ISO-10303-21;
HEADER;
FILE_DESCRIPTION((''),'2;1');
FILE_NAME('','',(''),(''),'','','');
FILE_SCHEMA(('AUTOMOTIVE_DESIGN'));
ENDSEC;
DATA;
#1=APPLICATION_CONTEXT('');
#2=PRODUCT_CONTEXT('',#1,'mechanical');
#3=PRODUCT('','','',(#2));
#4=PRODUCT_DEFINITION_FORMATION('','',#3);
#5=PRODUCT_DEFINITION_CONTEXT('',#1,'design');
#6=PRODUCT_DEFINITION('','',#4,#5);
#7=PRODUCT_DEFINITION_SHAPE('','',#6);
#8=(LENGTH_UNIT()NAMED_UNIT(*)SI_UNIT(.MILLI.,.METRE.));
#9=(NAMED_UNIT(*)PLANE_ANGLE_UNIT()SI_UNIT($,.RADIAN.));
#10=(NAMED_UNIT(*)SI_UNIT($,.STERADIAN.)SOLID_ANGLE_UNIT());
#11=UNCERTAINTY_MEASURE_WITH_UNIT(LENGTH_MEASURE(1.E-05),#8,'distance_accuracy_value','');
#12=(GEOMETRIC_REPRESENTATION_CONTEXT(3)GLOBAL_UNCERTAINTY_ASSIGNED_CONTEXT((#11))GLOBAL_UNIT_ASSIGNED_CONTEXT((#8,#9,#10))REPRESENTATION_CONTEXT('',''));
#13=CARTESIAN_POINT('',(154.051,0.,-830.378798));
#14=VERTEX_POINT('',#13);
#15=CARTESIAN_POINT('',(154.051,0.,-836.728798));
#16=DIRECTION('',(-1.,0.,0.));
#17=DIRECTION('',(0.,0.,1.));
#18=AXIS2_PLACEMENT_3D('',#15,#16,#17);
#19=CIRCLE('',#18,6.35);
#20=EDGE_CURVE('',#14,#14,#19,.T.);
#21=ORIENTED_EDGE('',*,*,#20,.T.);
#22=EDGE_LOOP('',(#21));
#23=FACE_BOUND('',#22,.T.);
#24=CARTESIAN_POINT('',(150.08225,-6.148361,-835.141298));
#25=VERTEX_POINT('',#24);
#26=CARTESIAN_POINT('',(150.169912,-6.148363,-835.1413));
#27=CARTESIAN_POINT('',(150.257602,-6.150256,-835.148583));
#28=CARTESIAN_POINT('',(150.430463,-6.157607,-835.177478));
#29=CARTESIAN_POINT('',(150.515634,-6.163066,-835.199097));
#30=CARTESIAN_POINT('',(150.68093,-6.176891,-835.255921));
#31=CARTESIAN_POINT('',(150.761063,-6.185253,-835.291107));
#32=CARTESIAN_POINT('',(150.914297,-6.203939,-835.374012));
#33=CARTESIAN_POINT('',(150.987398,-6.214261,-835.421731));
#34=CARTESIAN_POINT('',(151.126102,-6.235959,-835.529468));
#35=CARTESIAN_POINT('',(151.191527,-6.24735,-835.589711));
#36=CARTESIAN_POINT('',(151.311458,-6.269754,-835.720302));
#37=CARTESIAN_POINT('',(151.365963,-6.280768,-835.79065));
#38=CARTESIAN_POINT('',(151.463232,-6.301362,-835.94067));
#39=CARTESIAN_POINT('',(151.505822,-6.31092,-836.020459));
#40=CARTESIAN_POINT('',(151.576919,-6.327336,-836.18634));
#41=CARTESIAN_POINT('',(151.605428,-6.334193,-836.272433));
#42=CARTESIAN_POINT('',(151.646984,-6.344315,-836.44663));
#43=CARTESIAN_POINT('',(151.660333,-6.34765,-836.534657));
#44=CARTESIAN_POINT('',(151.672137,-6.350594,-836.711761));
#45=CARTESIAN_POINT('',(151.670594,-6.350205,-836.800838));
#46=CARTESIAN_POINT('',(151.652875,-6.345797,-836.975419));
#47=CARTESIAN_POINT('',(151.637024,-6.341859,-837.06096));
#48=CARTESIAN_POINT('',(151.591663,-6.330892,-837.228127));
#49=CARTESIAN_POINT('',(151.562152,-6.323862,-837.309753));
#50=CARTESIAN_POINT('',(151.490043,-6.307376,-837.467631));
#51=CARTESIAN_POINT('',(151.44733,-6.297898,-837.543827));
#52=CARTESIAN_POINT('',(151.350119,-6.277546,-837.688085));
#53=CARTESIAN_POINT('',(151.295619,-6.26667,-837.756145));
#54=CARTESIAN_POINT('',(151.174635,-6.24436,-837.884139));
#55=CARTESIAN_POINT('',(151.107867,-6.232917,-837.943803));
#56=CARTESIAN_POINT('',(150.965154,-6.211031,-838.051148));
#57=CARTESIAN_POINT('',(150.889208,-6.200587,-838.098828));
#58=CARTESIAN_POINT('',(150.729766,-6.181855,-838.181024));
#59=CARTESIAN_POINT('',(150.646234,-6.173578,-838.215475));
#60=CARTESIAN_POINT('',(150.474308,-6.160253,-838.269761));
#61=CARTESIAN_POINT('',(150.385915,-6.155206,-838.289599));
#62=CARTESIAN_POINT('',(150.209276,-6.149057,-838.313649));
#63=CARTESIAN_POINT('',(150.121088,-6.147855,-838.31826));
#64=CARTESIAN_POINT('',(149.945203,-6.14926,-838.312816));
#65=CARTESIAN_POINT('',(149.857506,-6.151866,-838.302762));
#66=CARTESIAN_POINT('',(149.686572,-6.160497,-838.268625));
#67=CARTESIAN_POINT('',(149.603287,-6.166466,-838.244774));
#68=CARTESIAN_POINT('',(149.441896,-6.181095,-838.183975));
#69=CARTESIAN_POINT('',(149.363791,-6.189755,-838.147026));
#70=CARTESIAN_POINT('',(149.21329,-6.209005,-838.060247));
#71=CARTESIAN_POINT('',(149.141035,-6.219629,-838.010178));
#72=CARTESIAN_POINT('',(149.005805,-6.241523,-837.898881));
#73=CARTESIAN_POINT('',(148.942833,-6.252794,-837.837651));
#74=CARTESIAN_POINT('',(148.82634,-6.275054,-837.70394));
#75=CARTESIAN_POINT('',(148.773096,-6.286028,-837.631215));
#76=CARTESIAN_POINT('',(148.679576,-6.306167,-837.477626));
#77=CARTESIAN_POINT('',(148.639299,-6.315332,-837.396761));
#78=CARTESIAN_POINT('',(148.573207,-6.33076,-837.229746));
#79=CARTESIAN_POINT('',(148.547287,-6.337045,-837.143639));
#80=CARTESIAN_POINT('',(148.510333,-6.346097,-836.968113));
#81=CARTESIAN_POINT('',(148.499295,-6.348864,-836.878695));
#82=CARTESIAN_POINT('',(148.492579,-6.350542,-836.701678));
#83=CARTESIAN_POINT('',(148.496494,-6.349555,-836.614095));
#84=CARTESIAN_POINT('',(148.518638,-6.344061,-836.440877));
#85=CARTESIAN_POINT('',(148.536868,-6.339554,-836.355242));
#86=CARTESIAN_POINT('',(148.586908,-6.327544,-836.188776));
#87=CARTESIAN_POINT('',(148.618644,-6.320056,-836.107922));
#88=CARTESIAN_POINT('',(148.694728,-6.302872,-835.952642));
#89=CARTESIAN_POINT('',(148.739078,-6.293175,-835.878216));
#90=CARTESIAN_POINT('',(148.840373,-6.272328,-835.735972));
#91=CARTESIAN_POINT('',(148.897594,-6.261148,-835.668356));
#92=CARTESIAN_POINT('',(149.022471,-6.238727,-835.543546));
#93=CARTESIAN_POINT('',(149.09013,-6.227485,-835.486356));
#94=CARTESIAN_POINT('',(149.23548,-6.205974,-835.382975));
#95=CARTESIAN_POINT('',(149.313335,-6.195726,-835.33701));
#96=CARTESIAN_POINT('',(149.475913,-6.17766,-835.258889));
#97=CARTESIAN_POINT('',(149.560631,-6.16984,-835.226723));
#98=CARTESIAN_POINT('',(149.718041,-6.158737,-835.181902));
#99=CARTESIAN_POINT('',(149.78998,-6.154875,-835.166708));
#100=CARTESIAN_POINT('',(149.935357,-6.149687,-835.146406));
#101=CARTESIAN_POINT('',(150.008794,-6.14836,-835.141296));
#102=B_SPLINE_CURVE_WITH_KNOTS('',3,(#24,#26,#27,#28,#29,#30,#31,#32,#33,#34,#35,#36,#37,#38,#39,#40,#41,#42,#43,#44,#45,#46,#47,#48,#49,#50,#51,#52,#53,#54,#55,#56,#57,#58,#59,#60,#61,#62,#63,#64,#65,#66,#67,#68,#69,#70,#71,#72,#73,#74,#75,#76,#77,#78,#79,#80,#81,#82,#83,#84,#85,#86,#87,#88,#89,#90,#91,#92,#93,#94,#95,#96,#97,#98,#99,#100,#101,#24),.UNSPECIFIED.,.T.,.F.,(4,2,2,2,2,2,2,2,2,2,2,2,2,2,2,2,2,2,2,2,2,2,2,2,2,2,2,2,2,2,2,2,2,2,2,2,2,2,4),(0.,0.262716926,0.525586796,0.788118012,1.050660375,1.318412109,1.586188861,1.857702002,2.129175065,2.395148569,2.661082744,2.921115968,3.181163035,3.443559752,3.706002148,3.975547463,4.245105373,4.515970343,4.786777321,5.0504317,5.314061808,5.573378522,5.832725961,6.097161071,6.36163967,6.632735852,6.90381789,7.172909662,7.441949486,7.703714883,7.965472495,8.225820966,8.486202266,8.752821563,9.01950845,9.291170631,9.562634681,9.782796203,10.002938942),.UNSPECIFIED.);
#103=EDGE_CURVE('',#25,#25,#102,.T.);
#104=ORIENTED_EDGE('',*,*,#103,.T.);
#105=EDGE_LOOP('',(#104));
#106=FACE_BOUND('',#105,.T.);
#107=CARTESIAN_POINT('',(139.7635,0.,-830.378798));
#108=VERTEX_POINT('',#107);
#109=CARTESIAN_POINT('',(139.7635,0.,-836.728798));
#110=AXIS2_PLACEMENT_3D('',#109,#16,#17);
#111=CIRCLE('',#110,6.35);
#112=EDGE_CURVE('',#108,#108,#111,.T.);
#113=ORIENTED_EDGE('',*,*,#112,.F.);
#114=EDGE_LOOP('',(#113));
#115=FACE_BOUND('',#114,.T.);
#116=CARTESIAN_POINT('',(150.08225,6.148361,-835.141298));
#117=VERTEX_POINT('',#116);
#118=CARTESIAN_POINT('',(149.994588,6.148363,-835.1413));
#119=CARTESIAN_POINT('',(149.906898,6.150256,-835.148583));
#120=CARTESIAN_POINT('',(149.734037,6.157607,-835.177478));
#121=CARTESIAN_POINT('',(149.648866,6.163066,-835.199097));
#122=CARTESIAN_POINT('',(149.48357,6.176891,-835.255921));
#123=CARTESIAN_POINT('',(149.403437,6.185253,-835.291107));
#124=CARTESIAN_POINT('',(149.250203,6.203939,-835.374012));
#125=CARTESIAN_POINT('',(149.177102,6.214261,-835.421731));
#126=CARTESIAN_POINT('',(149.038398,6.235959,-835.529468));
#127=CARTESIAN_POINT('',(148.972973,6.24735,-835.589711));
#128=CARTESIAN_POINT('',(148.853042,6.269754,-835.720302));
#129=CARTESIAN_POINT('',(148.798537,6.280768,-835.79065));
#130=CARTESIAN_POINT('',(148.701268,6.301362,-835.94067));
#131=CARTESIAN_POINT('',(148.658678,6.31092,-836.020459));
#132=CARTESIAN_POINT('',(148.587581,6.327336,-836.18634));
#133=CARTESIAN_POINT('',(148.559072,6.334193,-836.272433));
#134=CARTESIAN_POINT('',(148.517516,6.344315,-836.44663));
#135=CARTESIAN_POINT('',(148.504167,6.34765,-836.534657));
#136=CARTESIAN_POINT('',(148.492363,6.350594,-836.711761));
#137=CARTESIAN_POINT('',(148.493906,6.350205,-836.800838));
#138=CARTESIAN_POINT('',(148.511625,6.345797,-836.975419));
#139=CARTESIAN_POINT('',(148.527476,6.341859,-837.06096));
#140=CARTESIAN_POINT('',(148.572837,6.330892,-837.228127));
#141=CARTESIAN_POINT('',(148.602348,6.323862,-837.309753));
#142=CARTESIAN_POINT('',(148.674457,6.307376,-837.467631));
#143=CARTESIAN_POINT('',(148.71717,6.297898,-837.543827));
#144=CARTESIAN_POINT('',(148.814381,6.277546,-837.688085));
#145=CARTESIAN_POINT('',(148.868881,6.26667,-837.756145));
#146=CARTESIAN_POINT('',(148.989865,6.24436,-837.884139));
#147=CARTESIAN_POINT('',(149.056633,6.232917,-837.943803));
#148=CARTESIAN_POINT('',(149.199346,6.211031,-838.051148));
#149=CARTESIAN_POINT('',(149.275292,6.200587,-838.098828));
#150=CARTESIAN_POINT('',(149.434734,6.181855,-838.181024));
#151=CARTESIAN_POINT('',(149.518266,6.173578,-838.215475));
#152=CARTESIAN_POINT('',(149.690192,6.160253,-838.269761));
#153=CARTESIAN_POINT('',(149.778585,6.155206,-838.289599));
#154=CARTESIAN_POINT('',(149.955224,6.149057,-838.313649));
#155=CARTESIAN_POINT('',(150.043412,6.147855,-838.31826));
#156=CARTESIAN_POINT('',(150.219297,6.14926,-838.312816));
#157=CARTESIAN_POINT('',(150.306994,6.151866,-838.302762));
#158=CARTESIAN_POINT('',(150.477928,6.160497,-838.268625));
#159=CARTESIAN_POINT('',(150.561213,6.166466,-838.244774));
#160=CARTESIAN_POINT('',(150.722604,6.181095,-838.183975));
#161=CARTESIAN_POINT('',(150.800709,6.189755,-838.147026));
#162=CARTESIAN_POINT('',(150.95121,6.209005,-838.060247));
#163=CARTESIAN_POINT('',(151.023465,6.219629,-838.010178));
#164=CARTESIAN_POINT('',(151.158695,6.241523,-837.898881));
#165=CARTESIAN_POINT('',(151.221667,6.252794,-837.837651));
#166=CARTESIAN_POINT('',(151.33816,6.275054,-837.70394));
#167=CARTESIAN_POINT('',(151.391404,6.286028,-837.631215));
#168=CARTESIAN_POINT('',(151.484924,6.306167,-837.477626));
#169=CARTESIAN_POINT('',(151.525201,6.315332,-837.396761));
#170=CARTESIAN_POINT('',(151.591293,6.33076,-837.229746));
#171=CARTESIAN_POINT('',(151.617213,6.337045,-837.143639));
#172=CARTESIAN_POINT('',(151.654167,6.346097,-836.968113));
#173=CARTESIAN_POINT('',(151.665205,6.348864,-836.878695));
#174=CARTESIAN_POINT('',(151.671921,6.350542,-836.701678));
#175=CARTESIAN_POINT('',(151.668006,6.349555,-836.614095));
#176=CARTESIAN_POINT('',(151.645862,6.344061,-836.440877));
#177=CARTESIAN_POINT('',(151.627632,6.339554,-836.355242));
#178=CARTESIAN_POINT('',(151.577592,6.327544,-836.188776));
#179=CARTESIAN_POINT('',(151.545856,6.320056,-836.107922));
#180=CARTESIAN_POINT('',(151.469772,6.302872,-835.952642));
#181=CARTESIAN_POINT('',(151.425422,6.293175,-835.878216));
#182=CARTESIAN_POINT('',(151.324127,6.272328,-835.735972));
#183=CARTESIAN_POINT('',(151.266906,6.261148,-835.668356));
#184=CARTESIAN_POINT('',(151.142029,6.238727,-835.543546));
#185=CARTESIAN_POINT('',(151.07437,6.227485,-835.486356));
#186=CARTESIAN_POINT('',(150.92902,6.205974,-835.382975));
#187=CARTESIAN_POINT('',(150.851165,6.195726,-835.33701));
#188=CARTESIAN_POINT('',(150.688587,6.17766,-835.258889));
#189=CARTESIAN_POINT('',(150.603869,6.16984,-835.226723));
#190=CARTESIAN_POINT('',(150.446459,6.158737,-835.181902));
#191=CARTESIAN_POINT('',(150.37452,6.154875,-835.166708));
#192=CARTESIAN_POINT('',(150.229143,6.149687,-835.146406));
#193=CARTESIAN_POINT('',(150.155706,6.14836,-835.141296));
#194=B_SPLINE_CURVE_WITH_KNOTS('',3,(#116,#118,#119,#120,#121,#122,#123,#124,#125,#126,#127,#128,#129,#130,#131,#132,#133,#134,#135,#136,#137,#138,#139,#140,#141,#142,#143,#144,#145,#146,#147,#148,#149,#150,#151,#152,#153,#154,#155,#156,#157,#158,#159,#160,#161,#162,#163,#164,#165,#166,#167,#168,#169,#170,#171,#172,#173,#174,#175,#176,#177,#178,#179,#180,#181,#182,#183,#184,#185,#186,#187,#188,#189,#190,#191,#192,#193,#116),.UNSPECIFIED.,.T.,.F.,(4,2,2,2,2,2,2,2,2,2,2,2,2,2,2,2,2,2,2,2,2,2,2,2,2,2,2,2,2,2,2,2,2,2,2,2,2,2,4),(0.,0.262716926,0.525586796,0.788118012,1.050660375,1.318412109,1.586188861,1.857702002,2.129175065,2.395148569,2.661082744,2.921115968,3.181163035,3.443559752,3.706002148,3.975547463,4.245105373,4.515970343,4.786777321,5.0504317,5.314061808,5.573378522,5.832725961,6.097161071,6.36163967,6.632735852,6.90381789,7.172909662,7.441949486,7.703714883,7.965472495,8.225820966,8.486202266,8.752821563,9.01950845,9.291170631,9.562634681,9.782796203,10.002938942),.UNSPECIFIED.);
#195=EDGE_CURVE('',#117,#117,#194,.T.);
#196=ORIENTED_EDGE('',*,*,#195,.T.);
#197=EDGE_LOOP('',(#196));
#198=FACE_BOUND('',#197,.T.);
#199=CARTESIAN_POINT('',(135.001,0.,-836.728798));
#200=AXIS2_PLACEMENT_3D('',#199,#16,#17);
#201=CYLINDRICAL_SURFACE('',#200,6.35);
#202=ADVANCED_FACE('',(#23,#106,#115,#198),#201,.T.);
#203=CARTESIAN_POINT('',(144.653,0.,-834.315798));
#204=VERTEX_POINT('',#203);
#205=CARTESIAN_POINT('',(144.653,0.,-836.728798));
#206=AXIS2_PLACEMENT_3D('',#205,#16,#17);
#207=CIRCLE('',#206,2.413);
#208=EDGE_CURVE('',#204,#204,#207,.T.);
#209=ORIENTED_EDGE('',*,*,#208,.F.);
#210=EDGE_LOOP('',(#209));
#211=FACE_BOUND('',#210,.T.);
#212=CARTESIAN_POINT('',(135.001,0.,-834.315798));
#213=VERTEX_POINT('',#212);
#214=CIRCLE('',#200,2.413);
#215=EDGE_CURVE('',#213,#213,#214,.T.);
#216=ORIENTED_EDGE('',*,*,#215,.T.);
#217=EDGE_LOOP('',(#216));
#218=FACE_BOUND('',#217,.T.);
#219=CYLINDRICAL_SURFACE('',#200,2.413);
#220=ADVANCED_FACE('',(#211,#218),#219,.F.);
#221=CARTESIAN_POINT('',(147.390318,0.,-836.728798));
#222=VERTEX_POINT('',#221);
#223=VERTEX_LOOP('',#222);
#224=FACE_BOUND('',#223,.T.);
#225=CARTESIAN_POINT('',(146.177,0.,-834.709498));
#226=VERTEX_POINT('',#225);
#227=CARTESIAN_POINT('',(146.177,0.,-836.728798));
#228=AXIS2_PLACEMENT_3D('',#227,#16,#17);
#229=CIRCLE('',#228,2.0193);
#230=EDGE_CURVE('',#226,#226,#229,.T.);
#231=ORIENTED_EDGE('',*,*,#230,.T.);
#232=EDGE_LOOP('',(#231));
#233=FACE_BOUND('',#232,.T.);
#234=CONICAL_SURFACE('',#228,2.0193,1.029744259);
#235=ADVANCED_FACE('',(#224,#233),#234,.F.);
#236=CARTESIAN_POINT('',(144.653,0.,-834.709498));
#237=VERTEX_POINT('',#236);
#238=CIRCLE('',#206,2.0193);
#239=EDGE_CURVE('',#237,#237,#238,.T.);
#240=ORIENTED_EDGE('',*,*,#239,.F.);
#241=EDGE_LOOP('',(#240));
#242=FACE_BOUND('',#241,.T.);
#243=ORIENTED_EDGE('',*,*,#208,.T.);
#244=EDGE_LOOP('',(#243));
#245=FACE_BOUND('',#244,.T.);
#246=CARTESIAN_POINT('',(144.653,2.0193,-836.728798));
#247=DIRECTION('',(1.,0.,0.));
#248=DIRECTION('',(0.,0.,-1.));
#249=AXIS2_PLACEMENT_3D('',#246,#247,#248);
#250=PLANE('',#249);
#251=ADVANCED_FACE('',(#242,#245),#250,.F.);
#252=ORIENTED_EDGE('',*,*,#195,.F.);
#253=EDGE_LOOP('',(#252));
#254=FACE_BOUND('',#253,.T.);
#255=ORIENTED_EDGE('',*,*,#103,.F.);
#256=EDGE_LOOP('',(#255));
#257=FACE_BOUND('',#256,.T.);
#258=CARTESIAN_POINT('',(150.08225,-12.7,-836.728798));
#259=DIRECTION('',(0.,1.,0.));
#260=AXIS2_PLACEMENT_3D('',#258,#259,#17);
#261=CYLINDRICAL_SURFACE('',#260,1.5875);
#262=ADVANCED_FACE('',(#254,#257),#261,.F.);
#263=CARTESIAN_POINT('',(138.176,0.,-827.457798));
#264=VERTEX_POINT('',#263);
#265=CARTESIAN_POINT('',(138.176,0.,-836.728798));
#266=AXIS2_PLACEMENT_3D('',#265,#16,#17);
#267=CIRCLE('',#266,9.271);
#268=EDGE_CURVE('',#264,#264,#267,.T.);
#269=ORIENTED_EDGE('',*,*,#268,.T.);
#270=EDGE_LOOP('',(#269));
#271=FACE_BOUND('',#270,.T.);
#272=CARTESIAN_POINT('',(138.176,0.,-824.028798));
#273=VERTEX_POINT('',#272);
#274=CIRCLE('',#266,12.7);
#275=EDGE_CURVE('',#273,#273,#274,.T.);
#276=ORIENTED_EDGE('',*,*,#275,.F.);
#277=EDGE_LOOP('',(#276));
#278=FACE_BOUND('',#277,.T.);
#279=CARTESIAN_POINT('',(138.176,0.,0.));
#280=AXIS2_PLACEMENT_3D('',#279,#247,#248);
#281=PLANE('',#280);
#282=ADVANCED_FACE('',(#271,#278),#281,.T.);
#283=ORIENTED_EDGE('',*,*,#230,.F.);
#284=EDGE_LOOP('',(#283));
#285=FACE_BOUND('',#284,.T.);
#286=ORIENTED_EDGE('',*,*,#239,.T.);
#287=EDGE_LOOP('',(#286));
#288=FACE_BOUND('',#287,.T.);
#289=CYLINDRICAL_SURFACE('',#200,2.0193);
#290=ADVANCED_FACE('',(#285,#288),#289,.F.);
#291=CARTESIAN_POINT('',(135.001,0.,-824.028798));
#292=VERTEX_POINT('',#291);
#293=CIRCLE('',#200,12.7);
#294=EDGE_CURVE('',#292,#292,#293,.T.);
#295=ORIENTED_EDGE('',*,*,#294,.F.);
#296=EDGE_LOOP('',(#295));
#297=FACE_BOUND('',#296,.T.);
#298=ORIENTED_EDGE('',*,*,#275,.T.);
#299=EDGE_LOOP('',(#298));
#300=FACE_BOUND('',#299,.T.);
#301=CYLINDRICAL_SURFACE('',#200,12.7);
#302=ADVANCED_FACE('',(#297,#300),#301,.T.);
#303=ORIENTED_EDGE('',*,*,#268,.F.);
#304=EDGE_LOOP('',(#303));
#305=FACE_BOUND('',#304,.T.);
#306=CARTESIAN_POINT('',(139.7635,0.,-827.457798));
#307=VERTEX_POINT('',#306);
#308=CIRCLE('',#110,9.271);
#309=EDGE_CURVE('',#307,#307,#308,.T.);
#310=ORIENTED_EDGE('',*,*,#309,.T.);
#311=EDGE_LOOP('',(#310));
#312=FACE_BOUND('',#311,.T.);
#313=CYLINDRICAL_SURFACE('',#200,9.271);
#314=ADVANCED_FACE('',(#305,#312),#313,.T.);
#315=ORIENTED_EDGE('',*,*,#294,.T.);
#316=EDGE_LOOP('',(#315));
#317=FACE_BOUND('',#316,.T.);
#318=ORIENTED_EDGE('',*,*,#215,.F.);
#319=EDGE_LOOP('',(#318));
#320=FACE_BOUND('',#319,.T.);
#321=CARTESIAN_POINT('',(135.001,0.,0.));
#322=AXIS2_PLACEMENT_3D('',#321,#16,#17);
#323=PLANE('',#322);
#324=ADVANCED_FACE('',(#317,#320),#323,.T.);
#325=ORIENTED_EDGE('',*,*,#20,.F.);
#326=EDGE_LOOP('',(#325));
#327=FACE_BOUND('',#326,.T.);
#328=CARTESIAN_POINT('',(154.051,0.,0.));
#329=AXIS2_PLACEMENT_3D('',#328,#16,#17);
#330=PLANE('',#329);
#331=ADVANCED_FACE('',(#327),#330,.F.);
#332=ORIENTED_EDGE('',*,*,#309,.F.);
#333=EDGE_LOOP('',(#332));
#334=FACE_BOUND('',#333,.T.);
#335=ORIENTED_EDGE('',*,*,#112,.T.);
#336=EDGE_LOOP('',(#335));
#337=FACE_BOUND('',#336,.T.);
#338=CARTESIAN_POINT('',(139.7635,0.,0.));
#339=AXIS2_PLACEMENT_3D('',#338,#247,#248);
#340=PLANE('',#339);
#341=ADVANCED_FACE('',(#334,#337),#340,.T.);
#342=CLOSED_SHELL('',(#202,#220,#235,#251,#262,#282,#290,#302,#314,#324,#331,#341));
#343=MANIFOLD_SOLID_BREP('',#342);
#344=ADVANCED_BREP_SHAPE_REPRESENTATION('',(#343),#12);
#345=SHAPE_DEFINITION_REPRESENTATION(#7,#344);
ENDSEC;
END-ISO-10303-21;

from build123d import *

# Parameters (mm, degrees)
F_10_32_TAPPED_HOLE2_D           = 4.0386
F_10_32_TAPPED_HOLE2_DEPTH       = 11.176
F_10_32_TAPPED_HOLE2_CBORE_D     = 4.826
F_10_32_TAPPED_HOLE2_CBORE_DEPTH = 9.652
F_10_32_TAPPED_HOLE2_TIP         = 1.213317848
CUT_EXTRUDE1_DEPTH               = 864.378412287
CUT_EXTRUDE1_DEPTH_BACK          = 864.378412287
SKETCH2_3_R                      = 1.5875


with BuildPart() as part:
    # Sketch2 → Revolve1 (revolve)
    with BuildSketch(Plane(origin=(0, 0, 0), x_dir=(1, 0, 0), z_dir=(0, 1, 0))):
        Polygon((135.001, 849.428797606), (135.001, 836.728797606), (154.051, 836.728797606), (154.051, 843.078797606), (139.7635, 843.078797606), (139.7635, 845.999797606), (138.176, 845.999797606), (138.176, 849.428797606), align=None)
    revolve(axis=Axis((135.001, 0, -836.728797606), (1, 0, 0)))

    # #10-32 Tapped Hole2
    with Locations(Plane.ZY.offset(-135.001)):
        with Locations((-836.728797606, 0)):
            CounterBoreHole(F_10_32_TAPPED_HOLE2_D / 2, F_10_32_TAPPED_HOLE2_CBORE_D / 2, F_10_32_TAPPED_HOLE2_CBORE_DEPTH, depth=F_10_32_TAPPED_HOLE2_DEPTH)
            with Locations((0, 0, -(F_10_32_TAPPED_HOLE2_DEPTH + F_10_32_TAPPED_HOLE2_TIP / 2))):  # 118° drill point
                Cone(0, F_10_32_TAPPED_HOLE2_D / 2, F_10_32_TAPPED_HOLE2_TIP, mode=Mode.SUBTRACT)

    # Sketch2<3> → Cut-Extrude1 (cut, two sides: drawn at the far end of the back side and taken through both)
    with BuildSketch(Plane(origin=(0, 0, 0), x_dir=(1, 0, 0), z_dir=(0, 1, 0)).offset(-CUT_EXTRUDE1_DEPTH_BACK)):
        with Locations((150.08225, 836.728797606)):
            Circle(SKETCH2_3_R)
    extrude(amount=CUT_EXTRUDE1_DEPTH + CUT_EXTRUDE1_DEPTH_BACK, mode=Mode.SUBTRACT)


solid = part.part
